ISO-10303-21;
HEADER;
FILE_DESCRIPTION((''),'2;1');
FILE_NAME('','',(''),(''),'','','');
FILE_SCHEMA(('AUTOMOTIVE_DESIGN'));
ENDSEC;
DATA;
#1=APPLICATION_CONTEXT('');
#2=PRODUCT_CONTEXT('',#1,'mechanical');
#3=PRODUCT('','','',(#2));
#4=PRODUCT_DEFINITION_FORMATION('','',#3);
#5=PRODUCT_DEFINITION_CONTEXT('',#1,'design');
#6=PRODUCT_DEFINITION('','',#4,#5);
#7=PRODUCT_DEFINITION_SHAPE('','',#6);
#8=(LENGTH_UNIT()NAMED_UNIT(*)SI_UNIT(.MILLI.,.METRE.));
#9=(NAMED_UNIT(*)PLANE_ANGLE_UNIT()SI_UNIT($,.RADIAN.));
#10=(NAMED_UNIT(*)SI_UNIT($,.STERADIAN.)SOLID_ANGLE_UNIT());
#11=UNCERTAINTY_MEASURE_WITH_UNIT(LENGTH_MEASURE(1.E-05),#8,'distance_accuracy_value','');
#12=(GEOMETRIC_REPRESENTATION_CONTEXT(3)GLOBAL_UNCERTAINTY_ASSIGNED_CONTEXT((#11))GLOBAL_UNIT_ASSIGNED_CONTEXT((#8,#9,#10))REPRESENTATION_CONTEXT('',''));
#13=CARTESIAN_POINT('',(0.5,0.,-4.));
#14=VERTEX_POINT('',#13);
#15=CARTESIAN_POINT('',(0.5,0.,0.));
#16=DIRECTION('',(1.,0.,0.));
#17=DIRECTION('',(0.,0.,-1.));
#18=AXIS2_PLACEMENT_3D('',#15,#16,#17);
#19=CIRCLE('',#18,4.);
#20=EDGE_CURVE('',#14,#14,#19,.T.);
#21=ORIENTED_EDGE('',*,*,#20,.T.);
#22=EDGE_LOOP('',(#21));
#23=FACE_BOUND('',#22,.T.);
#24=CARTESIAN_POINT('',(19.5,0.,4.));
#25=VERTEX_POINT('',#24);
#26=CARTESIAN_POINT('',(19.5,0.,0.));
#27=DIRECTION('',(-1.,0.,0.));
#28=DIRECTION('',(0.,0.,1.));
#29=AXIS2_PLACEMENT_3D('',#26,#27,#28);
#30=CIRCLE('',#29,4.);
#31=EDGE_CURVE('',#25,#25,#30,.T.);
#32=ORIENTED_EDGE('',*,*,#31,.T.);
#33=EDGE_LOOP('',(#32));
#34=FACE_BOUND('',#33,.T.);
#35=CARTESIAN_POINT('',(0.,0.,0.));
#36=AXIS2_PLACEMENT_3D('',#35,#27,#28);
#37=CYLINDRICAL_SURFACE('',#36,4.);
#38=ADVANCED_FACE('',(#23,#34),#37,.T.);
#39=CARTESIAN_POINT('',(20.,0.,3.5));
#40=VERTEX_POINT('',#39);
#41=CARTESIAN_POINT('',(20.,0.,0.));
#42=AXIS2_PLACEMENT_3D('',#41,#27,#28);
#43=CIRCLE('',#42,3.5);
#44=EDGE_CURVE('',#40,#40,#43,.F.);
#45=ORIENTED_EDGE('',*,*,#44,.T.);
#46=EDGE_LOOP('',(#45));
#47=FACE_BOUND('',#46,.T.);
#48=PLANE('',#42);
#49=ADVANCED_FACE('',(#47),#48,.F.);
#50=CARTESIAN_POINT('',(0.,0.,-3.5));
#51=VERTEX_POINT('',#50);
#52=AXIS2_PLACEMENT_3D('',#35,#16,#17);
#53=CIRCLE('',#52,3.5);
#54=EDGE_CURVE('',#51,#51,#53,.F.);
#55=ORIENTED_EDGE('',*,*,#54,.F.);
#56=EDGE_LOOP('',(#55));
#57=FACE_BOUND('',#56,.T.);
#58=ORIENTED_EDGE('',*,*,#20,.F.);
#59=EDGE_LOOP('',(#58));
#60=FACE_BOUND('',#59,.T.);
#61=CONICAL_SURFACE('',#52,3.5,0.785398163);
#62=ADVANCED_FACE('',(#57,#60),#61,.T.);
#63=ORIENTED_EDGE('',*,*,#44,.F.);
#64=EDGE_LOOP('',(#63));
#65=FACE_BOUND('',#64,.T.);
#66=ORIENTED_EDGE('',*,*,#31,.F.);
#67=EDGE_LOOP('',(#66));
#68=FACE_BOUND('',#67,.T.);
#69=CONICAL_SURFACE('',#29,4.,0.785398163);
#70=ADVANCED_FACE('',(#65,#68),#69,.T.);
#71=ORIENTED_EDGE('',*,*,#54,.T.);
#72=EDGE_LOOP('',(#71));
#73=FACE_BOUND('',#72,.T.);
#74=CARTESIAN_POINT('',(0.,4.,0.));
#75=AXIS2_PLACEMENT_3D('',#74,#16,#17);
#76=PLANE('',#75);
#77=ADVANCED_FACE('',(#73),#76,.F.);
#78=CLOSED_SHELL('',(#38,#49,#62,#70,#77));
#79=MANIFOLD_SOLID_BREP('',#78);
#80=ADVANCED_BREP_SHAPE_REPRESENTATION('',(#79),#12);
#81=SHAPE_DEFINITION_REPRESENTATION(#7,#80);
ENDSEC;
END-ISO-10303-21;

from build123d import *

# Parameters (mm, degrees)
SKETCH1_W     = 20
SKETCH1_H     = 4
CHAMFER1_SIZE = 0.5


with BuildPart() as part:
    # Sketch1 → Revolve1 (revolve)
    with BuildSketch(Plane.XY):
        with Locations((10, 2)):
            Rectangle(SKETCH1_W, SKETCH1_H)
    revolve(axis=Axis((0, 0, 0), (1, 0, 0)))

    # Chamfer1
    chamfer1_edges = [part.edges().sort_by_distance(p)[0] for p in [
        (20, -4, 0),
        (0, -4, 0),
    ]]
    chamfer(chamfer1_edges, length=CHAMFER1_SIZE)


solid = part.part
